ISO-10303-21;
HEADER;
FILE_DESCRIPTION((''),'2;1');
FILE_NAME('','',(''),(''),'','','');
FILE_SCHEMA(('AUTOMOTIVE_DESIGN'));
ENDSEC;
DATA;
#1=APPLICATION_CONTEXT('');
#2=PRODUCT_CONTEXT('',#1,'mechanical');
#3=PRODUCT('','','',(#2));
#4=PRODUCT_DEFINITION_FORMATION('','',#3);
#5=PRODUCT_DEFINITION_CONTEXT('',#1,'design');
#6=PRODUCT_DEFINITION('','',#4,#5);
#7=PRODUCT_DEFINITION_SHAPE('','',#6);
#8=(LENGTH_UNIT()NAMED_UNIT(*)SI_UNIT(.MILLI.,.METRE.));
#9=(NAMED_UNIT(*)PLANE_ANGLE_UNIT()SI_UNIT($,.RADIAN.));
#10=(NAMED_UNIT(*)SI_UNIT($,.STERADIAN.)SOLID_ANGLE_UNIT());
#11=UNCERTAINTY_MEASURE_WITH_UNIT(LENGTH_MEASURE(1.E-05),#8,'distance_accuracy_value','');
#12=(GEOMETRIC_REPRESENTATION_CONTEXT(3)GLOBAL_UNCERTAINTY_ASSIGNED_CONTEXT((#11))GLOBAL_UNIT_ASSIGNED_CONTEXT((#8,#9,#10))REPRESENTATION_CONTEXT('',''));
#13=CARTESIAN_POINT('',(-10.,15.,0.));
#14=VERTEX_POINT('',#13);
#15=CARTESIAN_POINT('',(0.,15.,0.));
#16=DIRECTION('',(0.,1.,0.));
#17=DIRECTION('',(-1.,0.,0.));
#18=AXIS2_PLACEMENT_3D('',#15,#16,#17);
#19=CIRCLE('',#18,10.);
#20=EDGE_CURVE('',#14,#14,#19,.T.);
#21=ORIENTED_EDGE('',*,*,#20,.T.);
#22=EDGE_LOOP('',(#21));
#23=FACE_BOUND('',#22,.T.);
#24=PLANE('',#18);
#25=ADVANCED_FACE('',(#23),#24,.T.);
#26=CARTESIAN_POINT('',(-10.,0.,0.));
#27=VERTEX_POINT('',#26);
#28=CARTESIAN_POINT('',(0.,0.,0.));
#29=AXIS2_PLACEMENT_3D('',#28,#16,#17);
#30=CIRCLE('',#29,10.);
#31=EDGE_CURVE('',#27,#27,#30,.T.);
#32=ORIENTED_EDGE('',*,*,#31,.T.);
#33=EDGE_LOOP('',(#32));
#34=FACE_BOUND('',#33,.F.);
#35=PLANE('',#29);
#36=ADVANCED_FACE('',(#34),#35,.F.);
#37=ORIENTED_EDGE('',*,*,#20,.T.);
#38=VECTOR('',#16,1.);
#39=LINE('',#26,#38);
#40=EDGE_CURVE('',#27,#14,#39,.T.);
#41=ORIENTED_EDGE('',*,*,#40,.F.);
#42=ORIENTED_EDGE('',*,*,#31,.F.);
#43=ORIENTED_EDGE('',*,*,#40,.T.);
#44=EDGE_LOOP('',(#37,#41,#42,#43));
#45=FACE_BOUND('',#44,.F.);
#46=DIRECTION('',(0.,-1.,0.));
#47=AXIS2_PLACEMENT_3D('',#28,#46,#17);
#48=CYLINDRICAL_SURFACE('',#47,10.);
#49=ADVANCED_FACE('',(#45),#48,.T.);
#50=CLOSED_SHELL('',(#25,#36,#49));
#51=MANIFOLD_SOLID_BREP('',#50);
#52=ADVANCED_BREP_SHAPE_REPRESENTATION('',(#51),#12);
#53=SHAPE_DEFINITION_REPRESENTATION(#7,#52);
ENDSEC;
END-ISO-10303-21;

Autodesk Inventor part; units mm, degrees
ref_plane "YZ Plane" through (0, 0, 0) normal (1, 0, 0) x (0, 1, 0)
ref_plane "XZ Plane" through (0, 0, 0) normal (0, 1, 0) x (-1, 0, 0)
ref_plane "XY Plane" through (0, 0, 0) normal (0, 0, 1) x (1, 0, 0)
sketch "Sketch1" plane through (0, 0, 0) normal (0, 1, 0) x (-1, 0, 0)
  circle A0 centre (0, 0) radius 10
  dimension "d0" = 20
extrude "Extrusion1" add sketch "Sketch1" along normal blind 15
